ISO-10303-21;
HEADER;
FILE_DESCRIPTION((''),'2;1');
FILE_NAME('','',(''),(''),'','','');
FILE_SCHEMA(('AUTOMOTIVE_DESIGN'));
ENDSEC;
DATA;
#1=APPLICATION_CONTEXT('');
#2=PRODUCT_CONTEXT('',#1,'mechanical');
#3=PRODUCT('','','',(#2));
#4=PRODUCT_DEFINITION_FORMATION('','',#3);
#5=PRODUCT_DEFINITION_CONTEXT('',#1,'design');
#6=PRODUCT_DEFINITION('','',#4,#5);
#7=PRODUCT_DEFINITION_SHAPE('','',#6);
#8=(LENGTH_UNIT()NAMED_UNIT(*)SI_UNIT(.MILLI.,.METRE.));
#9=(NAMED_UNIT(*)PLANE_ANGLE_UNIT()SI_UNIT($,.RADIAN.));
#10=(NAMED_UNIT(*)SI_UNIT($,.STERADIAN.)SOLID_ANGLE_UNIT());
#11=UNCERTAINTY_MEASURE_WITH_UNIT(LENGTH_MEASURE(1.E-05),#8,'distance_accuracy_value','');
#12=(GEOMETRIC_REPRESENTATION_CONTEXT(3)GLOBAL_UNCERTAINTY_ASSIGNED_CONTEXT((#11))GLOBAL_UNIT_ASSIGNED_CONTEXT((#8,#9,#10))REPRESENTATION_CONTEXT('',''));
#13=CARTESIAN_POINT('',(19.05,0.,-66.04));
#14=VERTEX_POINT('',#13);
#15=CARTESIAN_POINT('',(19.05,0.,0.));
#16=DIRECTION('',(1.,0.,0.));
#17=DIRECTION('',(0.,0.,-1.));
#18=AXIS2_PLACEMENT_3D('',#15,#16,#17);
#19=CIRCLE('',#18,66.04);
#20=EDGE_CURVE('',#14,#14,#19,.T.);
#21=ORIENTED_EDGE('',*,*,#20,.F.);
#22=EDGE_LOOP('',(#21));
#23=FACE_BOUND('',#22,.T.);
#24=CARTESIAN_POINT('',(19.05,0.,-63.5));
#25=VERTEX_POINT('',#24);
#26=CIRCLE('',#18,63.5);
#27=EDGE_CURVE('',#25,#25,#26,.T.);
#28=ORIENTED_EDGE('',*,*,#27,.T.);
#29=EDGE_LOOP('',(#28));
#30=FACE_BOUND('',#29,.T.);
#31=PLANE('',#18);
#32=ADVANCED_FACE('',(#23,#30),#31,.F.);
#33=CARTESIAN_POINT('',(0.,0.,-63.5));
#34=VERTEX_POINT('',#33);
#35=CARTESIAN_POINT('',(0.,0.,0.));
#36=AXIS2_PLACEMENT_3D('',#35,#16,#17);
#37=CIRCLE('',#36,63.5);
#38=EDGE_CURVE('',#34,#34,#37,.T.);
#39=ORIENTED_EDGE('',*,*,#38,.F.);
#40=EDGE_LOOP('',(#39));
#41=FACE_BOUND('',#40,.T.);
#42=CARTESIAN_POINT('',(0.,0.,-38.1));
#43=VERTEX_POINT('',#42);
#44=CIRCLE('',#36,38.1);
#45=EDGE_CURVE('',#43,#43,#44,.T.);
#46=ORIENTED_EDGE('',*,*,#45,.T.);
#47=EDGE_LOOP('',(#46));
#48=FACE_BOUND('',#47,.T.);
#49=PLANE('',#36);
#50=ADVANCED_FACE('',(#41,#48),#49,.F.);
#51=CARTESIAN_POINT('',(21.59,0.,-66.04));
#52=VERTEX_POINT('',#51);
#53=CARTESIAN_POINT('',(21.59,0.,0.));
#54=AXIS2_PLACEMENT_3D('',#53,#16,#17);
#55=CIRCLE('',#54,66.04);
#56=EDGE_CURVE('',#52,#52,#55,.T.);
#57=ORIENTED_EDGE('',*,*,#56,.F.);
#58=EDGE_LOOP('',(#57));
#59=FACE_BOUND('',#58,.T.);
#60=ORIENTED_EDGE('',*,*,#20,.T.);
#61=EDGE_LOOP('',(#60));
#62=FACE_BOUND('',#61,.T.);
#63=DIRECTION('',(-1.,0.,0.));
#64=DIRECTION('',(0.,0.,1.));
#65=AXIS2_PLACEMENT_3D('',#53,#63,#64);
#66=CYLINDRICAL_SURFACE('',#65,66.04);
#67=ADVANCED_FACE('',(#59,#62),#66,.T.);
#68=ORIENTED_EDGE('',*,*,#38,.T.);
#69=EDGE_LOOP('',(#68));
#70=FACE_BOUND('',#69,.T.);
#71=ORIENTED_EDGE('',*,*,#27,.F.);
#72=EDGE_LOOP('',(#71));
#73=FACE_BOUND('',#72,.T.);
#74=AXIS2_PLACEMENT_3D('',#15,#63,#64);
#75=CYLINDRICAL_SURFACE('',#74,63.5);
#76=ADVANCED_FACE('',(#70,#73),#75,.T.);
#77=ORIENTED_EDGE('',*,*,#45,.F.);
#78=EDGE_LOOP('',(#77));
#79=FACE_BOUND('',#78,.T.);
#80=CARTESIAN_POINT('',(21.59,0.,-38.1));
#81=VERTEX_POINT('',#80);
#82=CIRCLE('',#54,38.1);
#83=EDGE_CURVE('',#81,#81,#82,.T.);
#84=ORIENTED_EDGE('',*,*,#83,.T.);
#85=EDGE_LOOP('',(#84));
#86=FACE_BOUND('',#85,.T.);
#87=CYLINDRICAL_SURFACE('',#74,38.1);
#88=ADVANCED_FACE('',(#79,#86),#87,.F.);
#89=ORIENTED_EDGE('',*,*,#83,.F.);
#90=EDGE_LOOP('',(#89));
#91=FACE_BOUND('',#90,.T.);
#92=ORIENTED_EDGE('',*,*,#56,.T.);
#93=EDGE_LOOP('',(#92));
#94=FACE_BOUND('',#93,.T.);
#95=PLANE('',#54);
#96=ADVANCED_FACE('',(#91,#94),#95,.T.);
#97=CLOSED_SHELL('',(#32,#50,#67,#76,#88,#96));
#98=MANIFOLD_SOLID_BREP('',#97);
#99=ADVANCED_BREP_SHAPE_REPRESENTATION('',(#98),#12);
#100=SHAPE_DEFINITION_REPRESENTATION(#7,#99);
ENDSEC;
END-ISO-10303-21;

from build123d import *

# Parameters (mm, degrees)
SKETCH1_R           = 63.5
SKETCH1_R_2         = 38.1
BOSS_EXTRUDE1_DEPTH = 19.05
SKETCH2_R           = 66.04
SKETCH2_R_2         = 38.1
BOSS_EXTRUDE2_DEPTH = 2.54


with BuildPart() as part:
    # Sketch1 → Boss-Extrude1 (new body)
    with BuildSketch(Plane(origin=(0, 0, 0), x_dir=(0, 0, -1), z_dir=(1, 0, 0))):
        Circle(SKETCH1_R)
        Circle(SKETCH1_R_2, mode=Mode.SUBTRACT)
    extrude(amount=BOSS_EXTRUDE1_DEPTH)

    # Sketch2 → Boss-Extrude2 (add)
    with BuildSketch(Plane(origin=(19.05, 0, 0), x_dir=(0, 0, -1), z_dir=(1, 0, 0))):
        Circle(SKETCH2_R)
        Circle(SKETCH2_R_2, mode=Mode.SUBTRACT)
    extrude(amount=BOSS_EXTRUDE2_DEPTH)


solid = part.part
